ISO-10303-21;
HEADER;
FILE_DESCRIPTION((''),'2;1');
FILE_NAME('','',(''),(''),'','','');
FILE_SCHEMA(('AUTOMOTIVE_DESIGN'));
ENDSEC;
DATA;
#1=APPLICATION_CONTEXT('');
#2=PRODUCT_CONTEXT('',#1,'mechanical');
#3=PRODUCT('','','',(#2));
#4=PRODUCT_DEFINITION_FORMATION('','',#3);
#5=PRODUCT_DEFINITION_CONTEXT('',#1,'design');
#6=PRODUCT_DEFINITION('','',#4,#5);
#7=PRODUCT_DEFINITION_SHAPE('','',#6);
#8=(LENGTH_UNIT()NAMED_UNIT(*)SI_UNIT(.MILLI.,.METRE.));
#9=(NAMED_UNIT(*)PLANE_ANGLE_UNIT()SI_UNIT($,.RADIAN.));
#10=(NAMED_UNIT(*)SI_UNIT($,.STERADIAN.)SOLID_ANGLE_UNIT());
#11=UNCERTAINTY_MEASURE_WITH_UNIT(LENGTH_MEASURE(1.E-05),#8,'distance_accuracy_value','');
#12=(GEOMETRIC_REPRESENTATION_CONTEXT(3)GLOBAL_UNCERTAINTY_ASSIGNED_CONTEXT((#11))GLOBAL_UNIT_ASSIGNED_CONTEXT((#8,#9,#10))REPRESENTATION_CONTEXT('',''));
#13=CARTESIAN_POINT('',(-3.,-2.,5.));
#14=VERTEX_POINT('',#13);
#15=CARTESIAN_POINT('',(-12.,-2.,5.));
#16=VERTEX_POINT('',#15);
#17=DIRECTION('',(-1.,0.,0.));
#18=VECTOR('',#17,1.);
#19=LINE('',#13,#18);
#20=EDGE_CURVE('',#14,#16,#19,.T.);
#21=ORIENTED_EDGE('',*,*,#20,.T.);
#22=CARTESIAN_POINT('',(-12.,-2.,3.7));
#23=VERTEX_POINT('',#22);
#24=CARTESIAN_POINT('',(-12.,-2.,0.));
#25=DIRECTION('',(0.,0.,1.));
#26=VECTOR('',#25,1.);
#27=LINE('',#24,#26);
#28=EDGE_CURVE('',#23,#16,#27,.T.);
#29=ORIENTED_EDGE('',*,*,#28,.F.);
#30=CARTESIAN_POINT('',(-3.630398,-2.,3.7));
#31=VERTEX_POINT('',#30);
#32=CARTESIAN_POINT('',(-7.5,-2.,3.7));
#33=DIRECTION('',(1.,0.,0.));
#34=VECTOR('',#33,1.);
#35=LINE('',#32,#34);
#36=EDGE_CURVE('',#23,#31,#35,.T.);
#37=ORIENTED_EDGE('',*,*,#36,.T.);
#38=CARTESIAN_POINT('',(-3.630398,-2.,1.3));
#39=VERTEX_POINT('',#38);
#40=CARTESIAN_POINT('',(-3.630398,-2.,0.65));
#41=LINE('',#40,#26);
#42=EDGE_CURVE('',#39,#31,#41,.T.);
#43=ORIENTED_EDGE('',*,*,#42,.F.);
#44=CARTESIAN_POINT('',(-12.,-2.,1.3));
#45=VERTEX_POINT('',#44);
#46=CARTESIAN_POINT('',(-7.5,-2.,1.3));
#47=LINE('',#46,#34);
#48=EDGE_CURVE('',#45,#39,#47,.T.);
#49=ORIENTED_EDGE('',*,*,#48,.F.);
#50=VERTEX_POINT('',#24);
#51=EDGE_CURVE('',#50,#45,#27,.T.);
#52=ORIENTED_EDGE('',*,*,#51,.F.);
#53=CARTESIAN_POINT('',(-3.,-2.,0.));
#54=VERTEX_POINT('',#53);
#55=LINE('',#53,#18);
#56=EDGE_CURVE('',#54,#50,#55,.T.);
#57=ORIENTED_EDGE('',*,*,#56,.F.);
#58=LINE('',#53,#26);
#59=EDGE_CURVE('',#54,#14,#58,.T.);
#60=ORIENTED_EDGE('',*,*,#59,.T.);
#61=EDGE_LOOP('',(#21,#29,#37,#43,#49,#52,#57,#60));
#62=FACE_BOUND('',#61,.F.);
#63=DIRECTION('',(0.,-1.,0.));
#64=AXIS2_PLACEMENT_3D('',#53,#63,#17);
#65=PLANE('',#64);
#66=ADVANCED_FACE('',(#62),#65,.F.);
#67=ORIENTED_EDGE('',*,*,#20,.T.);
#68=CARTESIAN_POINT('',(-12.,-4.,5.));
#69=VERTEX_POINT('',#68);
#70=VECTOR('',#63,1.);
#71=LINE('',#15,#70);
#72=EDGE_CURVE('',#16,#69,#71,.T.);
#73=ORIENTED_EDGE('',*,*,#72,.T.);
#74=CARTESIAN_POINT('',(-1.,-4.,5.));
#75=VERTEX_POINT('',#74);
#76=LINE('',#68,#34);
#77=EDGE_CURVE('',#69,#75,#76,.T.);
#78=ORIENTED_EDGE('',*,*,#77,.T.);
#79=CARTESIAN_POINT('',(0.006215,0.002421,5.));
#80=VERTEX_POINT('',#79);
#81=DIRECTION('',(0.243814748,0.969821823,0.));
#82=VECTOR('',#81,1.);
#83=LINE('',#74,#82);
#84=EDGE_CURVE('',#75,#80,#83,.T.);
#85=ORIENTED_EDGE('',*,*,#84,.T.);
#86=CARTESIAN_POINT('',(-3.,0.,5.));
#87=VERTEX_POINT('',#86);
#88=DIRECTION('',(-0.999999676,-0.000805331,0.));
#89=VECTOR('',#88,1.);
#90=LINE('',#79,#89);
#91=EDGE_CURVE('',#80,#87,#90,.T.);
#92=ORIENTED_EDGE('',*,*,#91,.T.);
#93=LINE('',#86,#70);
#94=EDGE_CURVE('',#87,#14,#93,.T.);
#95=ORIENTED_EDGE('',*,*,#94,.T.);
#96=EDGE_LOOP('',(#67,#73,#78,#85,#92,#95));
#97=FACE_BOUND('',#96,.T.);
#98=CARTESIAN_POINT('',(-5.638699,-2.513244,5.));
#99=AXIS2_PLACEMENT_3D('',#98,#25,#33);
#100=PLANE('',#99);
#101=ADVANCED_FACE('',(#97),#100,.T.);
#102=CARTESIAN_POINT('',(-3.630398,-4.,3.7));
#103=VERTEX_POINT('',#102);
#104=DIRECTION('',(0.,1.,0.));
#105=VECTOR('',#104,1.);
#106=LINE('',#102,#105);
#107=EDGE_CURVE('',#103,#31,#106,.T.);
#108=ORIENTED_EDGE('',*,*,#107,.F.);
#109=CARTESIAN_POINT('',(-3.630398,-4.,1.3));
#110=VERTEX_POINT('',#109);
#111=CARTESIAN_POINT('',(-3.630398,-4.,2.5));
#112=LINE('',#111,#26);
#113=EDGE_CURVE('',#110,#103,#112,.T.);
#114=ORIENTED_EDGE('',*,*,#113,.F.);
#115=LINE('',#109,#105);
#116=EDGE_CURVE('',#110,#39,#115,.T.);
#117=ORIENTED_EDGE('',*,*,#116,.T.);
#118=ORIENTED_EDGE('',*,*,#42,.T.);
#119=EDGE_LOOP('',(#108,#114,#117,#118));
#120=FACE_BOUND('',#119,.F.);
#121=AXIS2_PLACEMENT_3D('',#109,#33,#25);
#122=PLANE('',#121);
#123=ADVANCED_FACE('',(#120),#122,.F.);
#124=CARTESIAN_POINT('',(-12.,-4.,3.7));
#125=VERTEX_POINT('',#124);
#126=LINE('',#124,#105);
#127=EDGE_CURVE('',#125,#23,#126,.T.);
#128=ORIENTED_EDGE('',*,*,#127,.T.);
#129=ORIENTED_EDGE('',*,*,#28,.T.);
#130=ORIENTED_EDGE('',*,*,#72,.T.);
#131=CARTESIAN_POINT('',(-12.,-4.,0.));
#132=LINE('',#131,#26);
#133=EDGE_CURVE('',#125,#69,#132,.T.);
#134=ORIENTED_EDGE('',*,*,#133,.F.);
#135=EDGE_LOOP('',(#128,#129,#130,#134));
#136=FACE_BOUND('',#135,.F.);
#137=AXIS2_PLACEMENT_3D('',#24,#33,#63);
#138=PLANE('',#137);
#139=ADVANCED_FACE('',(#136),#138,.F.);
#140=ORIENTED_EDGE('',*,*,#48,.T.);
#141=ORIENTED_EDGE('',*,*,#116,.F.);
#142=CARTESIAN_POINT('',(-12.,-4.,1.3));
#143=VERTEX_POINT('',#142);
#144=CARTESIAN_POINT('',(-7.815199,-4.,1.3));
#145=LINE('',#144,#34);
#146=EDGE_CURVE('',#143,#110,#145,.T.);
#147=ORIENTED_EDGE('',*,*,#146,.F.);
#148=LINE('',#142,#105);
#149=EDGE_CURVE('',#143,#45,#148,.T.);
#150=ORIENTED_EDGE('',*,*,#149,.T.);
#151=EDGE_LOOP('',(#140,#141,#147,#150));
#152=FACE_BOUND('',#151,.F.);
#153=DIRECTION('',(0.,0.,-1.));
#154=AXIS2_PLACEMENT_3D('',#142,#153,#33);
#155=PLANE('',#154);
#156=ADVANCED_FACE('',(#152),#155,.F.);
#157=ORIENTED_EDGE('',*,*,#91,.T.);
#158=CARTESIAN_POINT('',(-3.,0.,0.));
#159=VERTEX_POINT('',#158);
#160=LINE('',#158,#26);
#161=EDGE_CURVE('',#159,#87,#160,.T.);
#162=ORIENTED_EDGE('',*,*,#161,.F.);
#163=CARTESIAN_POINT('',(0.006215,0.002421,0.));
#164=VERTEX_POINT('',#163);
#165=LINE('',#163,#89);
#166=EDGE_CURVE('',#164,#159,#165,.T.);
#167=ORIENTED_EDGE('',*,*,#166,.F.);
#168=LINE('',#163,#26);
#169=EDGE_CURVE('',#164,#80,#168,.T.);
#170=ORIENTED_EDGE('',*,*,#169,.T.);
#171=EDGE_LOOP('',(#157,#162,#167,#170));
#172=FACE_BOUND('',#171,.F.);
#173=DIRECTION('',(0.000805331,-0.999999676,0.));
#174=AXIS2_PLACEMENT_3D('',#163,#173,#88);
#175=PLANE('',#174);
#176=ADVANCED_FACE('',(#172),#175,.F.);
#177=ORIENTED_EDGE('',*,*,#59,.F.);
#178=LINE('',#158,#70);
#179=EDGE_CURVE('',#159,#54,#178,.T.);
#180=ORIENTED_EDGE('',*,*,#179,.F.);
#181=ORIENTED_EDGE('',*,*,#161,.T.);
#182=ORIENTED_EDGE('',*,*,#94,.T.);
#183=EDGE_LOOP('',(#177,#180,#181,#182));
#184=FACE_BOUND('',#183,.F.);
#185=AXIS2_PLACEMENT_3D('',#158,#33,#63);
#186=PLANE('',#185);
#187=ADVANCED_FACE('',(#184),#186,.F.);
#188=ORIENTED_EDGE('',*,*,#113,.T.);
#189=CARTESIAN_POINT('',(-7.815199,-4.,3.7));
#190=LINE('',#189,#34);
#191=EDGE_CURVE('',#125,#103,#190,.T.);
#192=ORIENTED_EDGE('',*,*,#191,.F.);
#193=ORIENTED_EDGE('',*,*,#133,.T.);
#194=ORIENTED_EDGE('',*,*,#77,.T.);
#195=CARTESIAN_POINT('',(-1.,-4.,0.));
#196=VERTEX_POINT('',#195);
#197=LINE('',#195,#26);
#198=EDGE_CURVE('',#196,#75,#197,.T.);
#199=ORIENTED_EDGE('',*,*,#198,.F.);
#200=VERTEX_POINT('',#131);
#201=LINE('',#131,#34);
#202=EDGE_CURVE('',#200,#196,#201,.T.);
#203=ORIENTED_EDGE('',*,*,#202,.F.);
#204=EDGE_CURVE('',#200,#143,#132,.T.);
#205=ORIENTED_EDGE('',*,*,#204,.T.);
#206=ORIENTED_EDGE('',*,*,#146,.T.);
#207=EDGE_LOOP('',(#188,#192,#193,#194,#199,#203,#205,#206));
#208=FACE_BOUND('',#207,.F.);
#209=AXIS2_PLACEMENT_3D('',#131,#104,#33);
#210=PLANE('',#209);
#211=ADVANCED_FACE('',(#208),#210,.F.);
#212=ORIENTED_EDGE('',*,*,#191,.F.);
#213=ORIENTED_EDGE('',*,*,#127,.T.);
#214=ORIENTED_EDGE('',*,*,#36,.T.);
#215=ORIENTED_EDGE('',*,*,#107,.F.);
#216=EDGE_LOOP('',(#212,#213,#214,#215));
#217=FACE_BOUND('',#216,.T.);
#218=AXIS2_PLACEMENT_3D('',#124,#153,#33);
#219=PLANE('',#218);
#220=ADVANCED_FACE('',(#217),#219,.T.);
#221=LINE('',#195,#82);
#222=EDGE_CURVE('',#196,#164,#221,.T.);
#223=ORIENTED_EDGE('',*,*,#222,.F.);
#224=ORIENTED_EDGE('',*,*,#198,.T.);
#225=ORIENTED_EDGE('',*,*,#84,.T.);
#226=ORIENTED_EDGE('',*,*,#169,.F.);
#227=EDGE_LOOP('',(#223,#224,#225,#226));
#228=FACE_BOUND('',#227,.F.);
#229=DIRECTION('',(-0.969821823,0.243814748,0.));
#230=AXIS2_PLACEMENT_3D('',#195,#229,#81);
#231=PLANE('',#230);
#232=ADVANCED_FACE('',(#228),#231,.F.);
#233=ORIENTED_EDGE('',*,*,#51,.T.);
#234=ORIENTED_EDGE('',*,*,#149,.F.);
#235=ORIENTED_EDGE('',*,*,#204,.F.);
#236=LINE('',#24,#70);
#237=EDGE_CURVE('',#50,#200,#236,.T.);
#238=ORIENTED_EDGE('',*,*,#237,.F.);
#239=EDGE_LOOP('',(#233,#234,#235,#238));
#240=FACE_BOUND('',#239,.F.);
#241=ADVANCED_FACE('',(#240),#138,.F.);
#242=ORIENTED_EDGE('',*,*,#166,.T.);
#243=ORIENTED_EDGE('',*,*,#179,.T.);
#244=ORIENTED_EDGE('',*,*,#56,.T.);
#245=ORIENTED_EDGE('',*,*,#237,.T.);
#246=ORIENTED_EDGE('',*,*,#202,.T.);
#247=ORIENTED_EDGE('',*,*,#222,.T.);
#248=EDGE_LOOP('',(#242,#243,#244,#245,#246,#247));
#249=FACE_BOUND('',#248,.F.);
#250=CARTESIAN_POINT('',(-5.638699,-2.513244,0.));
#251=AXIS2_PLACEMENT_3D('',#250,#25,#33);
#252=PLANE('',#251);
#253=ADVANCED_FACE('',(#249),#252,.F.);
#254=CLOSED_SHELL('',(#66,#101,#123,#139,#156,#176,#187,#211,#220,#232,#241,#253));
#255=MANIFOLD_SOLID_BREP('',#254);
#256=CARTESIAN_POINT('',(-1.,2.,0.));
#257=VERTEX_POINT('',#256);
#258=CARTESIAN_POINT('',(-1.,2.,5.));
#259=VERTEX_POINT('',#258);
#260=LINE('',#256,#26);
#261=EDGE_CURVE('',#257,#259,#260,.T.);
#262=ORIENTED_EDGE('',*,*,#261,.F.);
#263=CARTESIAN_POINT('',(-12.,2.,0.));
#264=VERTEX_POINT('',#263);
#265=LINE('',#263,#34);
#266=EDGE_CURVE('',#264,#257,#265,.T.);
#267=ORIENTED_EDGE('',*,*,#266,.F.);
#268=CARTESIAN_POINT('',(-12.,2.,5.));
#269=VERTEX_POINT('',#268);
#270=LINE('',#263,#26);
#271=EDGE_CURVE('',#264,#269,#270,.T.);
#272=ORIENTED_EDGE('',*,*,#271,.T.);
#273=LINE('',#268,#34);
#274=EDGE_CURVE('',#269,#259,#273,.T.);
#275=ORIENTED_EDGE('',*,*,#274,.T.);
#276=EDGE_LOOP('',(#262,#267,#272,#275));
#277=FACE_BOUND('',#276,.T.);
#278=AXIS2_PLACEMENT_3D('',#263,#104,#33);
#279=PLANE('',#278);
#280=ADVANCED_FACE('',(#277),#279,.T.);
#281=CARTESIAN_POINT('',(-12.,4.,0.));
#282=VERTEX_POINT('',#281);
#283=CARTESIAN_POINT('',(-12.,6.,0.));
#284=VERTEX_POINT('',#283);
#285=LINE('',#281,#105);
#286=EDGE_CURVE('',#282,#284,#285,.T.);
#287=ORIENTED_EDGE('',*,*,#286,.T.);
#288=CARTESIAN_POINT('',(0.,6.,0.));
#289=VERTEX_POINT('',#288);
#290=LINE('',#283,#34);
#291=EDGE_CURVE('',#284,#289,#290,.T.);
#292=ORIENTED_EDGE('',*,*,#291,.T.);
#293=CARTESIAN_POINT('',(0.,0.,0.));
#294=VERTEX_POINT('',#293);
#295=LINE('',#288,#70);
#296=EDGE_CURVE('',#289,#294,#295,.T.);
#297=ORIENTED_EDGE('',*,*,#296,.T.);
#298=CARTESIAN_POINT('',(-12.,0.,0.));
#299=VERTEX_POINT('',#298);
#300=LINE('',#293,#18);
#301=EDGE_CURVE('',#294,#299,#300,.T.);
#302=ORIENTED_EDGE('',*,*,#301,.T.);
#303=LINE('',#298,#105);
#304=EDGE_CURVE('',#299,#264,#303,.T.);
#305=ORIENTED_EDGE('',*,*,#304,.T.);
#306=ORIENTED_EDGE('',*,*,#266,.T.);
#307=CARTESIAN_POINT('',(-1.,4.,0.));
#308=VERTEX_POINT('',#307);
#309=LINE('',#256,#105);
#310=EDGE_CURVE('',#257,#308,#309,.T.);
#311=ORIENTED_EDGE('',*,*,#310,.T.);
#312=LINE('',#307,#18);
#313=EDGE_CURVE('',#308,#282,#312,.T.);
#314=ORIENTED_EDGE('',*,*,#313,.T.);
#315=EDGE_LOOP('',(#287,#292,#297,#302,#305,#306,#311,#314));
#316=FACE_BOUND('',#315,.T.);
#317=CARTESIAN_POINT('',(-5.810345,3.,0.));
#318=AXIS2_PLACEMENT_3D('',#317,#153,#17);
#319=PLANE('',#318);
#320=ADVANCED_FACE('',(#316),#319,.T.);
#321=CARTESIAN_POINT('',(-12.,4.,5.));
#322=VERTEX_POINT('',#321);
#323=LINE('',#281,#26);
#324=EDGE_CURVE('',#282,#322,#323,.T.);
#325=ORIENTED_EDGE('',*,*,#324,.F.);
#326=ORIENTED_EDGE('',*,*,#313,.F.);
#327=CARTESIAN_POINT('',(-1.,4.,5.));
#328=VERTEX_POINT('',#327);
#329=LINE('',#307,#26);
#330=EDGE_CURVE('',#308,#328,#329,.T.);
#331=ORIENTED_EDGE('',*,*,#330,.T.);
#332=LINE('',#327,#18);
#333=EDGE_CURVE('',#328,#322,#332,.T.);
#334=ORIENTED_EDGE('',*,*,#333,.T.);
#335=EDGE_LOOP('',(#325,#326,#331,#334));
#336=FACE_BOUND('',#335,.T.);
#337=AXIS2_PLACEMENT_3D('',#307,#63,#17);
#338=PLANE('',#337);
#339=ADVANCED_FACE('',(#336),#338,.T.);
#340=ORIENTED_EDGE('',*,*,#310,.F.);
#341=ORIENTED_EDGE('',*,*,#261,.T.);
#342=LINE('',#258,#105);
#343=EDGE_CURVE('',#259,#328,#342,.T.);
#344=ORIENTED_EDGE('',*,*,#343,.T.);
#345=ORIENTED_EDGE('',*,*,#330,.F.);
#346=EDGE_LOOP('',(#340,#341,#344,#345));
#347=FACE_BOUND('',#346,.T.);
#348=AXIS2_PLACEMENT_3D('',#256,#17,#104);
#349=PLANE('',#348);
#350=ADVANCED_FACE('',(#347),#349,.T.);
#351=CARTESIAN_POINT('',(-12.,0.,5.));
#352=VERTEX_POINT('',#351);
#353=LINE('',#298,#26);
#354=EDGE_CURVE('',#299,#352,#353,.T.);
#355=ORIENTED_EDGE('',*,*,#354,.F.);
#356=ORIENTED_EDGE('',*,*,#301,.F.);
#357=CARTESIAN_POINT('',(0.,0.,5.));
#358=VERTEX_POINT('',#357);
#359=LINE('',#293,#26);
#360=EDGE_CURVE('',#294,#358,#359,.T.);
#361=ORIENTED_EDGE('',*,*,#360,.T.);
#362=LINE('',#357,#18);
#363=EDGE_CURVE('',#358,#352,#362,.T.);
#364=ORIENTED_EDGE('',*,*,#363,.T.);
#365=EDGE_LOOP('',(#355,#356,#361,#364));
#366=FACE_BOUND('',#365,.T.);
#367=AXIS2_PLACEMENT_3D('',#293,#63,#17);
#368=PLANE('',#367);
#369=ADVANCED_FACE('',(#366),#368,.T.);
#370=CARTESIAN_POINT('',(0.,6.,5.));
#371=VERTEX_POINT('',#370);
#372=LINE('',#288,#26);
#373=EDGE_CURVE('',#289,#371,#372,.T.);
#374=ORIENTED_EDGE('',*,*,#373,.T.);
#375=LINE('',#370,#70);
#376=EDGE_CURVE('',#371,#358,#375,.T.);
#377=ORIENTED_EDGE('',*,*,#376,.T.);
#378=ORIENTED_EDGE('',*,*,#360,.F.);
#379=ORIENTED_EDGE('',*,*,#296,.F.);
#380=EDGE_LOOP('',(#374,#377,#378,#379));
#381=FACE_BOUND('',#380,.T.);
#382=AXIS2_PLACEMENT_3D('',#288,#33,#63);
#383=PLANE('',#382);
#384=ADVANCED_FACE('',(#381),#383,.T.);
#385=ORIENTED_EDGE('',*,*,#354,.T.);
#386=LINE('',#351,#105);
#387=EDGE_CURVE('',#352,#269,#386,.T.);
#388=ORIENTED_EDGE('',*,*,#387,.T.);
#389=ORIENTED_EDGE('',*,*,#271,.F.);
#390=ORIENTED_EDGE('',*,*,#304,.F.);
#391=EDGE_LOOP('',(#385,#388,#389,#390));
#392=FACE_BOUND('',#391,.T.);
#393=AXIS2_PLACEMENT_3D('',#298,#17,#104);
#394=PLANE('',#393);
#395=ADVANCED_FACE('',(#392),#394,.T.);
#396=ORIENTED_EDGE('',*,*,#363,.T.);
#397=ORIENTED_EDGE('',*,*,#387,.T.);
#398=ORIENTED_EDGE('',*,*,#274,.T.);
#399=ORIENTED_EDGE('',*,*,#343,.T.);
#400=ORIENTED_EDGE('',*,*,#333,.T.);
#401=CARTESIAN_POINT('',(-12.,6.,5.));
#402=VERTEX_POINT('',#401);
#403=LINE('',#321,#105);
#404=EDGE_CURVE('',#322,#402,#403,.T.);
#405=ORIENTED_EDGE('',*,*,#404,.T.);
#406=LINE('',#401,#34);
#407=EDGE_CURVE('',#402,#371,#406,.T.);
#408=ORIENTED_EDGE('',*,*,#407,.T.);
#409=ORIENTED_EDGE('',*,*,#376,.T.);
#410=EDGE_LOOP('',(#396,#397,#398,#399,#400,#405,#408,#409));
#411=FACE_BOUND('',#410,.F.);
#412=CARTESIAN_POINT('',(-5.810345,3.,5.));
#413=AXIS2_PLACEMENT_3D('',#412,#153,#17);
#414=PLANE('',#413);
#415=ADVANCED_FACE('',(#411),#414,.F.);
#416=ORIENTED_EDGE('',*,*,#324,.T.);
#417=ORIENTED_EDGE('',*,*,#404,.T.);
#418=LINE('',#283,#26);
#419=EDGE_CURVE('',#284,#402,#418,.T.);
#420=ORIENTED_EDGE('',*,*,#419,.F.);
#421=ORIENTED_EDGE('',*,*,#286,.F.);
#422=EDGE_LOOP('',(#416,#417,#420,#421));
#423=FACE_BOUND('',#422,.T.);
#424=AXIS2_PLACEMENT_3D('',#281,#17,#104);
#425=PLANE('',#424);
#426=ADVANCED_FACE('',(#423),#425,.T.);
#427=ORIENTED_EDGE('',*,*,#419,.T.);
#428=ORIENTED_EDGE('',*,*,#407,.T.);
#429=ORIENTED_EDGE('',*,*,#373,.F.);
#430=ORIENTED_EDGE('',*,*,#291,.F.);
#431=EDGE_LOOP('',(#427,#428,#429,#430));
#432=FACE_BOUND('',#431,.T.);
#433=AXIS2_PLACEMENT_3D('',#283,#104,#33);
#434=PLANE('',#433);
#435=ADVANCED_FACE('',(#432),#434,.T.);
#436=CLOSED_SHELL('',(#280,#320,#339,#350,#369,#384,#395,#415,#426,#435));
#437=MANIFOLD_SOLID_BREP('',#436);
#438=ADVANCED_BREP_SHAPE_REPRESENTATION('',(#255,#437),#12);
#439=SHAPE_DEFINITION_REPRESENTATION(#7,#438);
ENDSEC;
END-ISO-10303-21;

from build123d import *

# Parameters (mm, degrees)
PAD_DEPTH        = 5
SKETCH002_W      = 8.369602
SKETCH002_H      = 2.4
EXTRUDE001_DEPTH = 3
EXTRUDE_DEPTH    = 5


with BuildPart() as body:
    # Sketch → Pad (new body)
    with BuildSketch(Plane.XY):
        Polygon((-12, 6), (0, 6), (0, 0), (-12, 0), (-12, 2), (-1, 2), (-1, 4), (-12, 4), align=None)
    extrude(amount=PAD_DEPTH)


with BuildPart() as extrude001:
    # Sketch002 (on DatumPlane) → Extrude001 (new body)
    with BuildSketch(Plane.XZ.offset(4)):
        with Locations((-7.815199, 2.5)):
            Rectangle(SKETCH002_W, SKETCH002_H)
    extrude(amount=-EXTRUDE001_DEPTH)


with BuildPart() as cut:
    # Sketch001 → Extrude (new body)
    with BuildSketch(Plane(origin=(-1, 0, 0), x_dir=(1, 0, 0), z_dir=(0, 0, 1))):
        Polygon((-2, 0), (-2, -2), (-11, -2), (-11, -4), (0, -4), (1.006215, 0.002421), align=None)
    extrude(amount=EXTRUDE_DEPTH)

    # Cut: cut Extrude001
    add(extrude001.part, mode=Mode.SUBTRACT)


solid = Compound([body.part, cut.part])
